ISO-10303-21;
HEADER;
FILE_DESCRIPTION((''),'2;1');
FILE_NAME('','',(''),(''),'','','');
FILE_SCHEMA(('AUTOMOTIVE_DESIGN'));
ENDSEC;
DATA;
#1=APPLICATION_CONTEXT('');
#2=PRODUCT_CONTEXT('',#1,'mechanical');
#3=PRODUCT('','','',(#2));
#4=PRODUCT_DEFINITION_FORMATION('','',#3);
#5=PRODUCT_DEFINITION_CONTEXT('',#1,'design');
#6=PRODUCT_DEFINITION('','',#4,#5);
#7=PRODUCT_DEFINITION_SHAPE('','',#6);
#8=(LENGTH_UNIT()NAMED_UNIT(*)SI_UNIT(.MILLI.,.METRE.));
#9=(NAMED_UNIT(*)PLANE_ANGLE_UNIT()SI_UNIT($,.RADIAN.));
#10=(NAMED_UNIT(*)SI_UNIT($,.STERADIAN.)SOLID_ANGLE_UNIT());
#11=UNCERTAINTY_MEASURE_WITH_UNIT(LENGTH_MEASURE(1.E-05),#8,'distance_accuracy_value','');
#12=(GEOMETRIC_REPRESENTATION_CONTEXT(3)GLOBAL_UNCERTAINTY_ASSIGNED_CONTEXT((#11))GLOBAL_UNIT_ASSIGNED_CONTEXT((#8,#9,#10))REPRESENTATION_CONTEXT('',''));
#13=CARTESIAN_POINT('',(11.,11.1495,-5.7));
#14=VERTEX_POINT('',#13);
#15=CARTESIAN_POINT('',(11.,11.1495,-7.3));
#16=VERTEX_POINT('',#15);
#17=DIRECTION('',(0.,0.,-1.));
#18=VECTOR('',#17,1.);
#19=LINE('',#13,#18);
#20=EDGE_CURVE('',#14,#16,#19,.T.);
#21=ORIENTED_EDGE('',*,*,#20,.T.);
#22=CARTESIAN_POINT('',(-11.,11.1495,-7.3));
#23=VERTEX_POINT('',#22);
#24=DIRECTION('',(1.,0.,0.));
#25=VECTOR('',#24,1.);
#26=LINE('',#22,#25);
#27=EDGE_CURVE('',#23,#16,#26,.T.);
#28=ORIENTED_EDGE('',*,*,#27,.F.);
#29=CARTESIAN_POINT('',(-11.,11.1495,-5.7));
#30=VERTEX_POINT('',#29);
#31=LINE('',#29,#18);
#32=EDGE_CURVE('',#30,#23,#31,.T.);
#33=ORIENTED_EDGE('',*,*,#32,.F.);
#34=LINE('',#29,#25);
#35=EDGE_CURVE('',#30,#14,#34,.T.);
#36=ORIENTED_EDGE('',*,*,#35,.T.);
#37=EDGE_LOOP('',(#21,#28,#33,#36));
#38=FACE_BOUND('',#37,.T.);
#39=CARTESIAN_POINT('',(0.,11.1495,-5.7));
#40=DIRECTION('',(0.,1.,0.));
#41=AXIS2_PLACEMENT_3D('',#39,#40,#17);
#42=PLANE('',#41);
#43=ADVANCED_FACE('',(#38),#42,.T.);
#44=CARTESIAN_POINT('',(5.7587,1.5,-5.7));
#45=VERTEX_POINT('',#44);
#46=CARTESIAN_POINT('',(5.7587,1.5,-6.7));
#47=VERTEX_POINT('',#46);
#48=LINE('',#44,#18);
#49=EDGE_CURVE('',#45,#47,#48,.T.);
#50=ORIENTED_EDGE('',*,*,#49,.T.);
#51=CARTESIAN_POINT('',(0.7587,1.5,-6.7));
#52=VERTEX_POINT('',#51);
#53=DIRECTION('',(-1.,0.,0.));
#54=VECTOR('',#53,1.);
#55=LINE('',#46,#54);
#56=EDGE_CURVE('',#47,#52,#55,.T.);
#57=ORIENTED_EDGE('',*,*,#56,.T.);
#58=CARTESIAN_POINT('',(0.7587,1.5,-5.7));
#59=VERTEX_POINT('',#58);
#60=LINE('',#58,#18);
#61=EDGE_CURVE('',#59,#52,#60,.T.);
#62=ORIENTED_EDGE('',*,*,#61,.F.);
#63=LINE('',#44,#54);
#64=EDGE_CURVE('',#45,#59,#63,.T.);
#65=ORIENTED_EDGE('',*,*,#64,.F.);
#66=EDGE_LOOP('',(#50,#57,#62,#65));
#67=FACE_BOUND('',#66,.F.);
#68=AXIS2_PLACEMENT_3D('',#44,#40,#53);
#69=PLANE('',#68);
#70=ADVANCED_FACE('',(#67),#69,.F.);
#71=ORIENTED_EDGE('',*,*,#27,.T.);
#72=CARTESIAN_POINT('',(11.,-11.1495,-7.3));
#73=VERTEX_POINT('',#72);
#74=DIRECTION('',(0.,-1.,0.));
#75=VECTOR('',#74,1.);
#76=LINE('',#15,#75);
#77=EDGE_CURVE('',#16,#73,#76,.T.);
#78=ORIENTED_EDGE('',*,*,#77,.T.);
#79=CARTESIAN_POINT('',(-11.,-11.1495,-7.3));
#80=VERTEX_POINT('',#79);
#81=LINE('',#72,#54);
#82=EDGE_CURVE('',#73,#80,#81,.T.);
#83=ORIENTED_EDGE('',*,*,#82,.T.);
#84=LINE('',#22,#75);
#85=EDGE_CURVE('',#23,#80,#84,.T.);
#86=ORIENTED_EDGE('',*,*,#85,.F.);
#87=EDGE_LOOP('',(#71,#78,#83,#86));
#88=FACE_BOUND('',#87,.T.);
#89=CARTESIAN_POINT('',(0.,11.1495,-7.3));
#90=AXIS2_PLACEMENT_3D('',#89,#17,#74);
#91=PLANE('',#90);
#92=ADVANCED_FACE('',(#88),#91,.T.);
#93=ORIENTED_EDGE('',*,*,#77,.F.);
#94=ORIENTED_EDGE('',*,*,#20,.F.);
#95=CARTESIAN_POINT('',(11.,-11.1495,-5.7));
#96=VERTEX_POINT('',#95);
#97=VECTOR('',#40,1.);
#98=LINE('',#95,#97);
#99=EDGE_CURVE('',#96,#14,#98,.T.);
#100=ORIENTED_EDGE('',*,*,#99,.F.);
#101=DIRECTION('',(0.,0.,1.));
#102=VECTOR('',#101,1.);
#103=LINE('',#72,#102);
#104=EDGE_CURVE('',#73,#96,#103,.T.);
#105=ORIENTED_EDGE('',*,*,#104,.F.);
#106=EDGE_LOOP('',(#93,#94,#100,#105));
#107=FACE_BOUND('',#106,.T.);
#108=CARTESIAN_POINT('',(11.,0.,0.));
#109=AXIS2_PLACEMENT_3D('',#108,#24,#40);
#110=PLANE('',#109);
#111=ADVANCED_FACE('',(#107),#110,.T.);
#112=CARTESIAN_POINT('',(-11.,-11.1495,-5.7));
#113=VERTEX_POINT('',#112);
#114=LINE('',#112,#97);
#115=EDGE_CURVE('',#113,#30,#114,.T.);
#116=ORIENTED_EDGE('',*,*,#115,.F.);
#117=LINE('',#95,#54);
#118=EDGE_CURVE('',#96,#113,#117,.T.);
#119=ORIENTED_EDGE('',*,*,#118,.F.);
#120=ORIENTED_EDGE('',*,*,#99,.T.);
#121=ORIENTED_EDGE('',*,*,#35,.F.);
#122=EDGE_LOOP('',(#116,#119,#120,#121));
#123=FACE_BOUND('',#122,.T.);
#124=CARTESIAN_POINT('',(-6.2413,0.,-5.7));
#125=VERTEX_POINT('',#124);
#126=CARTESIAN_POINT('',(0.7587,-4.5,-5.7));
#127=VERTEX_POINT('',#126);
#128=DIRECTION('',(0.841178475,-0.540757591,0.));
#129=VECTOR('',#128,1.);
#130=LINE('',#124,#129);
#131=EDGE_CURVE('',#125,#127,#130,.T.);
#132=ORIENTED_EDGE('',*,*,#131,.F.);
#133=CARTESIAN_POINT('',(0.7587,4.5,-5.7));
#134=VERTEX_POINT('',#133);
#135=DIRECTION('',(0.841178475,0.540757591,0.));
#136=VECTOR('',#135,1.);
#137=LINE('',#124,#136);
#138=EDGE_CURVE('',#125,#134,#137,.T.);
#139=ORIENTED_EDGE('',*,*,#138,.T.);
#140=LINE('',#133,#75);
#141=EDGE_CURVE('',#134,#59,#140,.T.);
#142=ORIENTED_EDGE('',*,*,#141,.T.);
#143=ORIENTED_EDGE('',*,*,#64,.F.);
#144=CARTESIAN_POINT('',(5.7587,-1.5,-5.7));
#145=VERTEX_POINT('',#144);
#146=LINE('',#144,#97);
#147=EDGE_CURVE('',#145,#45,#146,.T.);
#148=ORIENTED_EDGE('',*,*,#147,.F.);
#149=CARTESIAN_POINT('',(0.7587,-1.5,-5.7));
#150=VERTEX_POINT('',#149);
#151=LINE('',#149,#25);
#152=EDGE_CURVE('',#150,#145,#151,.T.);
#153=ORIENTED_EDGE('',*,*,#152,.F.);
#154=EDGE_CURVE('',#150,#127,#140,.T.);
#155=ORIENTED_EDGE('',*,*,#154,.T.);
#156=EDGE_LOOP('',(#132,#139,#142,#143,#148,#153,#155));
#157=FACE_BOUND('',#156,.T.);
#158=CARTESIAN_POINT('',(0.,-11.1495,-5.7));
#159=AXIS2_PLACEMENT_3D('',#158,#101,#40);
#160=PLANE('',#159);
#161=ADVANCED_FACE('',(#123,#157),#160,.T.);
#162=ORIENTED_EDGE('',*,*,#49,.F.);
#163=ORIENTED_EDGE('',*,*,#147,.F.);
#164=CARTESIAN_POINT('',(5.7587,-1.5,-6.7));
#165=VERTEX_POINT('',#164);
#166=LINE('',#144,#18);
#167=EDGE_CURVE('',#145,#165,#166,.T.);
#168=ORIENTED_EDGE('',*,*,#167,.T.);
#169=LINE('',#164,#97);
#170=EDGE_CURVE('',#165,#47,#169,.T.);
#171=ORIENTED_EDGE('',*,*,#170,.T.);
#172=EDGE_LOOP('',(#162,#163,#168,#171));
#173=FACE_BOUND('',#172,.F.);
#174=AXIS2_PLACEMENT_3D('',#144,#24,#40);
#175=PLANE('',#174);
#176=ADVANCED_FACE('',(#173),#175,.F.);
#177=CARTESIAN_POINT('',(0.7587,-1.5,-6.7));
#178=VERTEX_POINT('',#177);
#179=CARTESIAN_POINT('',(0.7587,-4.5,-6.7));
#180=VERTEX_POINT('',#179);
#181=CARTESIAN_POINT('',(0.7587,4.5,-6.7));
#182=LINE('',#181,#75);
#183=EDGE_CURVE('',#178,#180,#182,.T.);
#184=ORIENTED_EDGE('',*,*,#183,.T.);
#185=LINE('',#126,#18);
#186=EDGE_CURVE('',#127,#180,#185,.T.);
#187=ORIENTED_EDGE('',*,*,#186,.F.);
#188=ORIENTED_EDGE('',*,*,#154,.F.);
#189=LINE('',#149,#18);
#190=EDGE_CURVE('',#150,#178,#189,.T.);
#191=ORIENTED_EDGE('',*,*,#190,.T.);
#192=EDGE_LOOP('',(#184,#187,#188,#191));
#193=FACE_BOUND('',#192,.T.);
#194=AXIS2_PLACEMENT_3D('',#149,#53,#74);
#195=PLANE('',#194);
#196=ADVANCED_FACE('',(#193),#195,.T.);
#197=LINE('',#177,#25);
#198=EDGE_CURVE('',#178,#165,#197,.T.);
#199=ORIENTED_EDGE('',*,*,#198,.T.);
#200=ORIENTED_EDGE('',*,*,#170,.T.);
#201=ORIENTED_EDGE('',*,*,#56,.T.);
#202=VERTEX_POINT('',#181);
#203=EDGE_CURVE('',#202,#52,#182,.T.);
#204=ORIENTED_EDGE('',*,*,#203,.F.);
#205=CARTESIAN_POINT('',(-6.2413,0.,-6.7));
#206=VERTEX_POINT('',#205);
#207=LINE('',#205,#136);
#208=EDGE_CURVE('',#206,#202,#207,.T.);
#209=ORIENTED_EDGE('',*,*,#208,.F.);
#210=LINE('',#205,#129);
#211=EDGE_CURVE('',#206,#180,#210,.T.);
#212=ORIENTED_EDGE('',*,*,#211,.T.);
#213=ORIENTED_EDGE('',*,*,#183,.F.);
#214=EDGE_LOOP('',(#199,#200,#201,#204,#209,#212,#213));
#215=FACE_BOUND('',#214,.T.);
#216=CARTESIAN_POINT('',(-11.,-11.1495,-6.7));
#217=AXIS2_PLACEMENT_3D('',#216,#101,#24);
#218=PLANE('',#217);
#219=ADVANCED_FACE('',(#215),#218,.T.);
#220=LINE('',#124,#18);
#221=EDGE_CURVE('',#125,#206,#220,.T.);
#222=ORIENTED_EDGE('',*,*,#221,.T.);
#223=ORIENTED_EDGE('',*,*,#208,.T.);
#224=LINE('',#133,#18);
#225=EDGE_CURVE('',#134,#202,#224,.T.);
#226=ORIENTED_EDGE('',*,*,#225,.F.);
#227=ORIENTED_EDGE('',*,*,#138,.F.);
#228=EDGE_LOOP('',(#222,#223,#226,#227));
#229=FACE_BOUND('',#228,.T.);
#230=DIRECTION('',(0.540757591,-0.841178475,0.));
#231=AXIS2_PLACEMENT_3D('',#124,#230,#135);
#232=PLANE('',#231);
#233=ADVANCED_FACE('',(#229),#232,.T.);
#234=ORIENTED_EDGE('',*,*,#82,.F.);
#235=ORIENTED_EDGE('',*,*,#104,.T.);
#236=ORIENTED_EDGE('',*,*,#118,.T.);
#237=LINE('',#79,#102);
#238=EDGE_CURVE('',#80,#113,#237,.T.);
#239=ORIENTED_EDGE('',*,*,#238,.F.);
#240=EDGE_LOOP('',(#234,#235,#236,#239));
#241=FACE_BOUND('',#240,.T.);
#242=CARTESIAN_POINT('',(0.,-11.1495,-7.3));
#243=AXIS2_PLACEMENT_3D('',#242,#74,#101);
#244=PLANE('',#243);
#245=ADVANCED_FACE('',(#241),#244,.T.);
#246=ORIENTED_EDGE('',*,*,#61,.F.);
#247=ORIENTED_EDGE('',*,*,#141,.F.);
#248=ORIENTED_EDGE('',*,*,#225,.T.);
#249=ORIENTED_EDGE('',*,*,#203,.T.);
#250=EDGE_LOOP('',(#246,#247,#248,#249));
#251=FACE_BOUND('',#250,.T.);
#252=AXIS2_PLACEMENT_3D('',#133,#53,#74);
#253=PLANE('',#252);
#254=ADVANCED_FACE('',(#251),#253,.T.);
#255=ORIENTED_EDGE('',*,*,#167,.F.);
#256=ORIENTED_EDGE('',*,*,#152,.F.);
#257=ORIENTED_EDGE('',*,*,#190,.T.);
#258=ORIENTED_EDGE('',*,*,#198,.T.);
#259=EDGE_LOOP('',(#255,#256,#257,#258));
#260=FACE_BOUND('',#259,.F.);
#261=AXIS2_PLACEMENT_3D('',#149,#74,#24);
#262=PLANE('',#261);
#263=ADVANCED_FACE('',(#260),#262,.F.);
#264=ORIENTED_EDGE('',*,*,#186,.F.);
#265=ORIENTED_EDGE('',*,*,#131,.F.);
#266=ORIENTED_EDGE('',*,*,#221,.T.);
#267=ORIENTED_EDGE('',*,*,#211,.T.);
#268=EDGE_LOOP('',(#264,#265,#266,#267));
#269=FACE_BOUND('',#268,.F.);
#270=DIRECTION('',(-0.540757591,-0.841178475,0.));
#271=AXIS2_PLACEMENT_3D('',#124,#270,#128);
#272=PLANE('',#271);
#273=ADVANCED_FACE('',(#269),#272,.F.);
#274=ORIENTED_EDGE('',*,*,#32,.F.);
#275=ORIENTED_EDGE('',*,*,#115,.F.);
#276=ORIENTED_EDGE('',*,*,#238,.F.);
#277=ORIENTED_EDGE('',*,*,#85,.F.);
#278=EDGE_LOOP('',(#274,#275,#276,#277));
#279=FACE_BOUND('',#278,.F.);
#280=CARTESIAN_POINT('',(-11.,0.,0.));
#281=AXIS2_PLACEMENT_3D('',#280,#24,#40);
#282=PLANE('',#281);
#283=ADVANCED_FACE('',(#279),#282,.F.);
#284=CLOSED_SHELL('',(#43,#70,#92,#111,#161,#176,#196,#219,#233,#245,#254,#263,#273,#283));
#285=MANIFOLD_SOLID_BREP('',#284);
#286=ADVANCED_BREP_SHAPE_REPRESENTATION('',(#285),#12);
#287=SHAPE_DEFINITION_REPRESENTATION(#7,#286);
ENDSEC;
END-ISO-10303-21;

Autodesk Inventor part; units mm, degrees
ref_plane "YZ Plane" through (0, 0, 0) normal (1, 0, 0) x (0, 1, 0)
ref_plane "XZ Plane" through (0, 0, 0) normal (0, 1, 0) x (-1, 0, 0)
ref_plane "XY Plane" through (0, 0, 0) normal (0, 0, 1) x (1, 0, 0)
sketch "Sketch1" plane through (0, 0, 0) normal (1, 0, 0) x (0, 1, 0)
  line L0 (11.1495, -7.3) -> (-11.1495, -7.3)
  line L1 (-11.1495, -7.3) -> (-11.1495, -5.7)
  line L2 (-11.1495, -5.7) -> (11.1495, -5.7)
  line L3 (11.1495, -5.7) -> (11.1495, -7.3)
  line L4 (11.1495, -7.3) -> (-11.1495, -5.7) construction
  line L5 (-11.1495, -7.3) -> (11.1495, -5.7) construction
  point P0 (0, 0)
  point P1 (0, -6.5)
  dimension "d1" = 22.299
  dimension "d2" = 1.6
extrude "Extrusion1" add sketch "Sketch1" along normal mid plane 22
sketch "Sketch2" plane through (-11, -11.1495, -5.7) normal (0, 0, 1) x (1, 0, 0)
  line L0 (11.7587, 9.6495) -> (16.7587, 9.6495)
  line L1 (16.7587, 9.6495) -> (16.7587, 12.6495)
  line L2 (16.7587, 12.6495) -> (11.7587, 12.6495)
  line L3 (11.7587, 15.6495) -> (11.7587, 6.6495)
  line L4 (11.7587, 11.1495) -> (4.7587, 11.1495) construction
  line L5 (4.7587, 11.1495) -> (11.7587, 6.6495)
  line L6 (4.7587, 11.1495) -> (11.7587, 15.6495)
  line L7 (16.7587, 11.1495) -> (18.5587, 11.1495) construction
  line L8 (0, 22.299) -> (0, 0) projected
  point P0 (11.7587, 11.1495)
  point P1 (11.7587, 12.6495)
  dimension "d6" = 3
  dimension "d9" = 9
  dimension "d10" = 7
  dimension "d11" = 5
  dimension "d14" = 5
extrude "Extrusion2" cut sketch "Sketch2" against normal blind 1
equation "\"d14\" = d11"
properties part number "Part2_3DPrint"
